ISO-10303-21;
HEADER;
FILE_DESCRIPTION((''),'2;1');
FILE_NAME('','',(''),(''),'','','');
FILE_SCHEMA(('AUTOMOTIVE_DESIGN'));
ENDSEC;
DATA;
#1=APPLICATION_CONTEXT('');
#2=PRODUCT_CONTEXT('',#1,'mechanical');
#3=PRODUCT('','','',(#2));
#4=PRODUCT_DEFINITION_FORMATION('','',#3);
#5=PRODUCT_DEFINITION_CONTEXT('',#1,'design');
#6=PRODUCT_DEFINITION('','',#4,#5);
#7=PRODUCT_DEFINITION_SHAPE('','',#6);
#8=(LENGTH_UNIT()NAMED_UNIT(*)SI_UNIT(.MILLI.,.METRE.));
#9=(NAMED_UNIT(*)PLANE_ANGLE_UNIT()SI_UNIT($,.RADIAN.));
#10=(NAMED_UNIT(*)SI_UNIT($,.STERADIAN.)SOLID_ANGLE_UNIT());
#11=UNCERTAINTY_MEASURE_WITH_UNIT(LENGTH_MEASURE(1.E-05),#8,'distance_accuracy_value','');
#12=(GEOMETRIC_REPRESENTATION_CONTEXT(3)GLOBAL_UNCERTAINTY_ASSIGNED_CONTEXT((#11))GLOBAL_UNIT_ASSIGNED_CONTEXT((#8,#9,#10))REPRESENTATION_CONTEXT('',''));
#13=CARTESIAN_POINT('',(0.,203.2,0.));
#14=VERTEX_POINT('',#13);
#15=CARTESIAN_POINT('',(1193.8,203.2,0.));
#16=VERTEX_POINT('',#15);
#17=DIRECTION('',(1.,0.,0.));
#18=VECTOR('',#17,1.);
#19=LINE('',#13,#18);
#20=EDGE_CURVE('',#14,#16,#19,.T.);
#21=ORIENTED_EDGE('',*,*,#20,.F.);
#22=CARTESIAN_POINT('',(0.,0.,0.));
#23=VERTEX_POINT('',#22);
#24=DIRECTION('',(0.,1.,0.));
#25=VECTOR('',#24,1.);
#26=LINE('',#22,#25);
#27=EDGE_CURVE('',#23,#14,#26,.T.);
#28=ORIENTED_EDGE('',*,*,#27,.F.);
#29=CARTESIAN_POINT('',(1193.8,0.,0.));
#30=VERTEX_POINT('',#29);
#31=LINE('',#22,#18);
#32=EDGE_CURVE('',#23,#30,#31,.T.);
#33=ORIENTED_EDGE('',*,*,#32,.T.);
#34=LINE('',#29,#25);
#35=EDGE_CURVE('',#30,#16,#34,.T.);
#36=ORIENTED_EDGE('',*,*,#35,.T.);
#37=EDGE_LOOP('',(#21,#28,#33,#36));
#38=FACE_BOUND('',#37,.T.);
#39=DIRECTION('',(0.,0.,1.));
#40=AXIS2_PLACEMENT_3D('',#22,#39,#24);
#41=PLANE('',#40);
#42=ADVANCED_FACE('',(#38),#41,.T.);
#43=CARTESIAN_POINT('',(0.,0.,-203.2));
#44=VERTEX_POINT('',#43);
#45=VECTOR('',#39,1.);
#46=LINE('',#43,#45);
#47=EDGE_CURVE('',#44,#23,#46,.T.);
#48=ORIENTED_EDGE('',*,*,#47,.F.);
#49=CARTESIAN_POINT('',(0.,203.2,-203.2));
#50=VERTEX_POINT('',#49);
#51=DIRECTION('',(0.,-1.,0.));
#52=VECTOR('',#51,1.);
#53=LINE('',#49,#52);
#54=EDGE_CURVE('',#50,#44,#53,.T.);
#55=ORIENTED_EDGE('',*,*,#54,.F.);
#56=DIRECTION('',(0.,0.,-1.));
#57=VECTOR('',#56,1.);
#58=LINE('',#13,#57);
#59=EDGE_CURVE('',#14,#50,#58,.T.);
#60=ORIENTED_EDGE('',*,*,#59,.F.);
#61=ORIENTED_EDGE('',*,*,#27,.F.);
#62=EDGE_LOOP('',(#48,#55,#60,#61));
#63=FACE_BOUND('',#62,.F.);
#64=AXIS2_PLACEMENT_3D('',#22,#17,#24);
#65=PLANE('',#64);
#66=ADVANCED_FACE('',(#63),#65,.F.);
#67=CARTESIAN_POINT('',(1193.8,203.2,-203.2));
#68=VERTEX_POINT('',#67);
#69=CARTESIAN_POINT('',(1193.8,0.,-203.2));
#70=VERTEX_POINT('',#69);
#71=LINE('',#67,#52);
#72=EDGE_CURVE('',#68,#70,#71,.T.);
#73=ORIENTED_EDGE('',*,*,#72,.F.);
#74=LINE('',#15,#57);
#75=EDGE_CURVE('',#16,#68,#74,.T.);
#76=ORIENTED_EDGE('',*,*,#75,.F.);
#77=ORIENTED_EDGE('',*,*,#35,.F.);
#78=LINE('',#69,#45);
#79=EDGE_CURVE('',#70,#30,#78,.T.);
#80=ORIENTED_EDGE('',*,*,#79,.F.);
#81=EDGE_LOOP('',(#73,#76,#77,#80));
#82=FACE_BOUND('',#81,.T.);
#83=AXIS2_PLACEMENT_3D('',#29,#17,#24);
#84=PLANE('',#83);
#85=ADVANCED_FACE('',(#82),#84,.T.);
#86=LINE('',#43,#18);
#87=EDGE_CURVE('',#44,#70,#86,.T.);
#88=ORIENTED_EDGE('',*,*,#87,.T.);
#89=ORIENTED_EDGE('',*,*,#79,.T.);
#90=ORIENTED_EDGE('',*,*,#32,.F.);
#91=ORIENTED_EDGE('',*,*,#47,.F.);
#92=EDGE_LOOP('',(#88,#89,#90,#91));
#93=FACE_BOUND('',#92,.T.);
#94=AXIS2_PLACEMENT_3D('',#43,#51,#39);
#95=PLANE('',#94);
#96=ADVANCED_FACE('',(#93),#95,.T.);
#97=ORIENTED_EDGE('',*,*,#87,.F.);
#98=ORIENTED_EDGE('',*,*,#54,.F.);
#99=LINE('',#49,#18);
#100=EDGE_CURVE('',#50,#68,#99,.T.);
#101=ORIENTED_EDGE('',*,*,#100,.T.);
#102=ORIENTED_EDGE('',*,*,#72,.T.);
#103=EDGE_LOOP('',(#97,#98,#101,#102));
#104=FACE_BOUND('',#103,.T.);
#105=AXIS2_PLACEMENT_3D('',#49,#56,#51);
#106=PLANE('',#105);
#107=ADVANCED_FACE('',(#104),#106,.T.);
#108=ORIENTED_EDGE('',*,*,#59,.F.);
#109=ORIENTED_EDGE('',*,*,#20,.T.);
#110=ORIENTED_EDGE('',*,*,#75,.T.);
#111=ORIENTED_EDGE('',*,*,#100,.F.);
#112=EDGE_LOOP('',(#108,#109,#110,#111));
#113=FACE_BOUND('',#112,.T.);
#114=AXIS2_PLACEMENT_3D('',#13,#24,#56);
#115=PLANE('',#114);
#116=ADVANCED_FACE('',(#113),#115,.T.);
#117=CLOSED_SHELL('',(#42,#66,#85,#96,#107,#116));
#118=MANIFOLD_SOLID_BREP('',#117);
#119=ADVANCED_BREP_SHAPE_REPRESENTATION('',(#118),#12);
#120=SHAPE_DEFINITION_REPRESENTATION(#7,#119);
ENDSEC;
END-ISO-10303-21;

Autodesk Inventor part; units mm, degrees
ref_plane "YZ Plane" through (0, 0, 0) normal (1, 0, 0) x (0, 1, 0)
ref_plane "XZ Plane" through (0, 0, 0) normal (0, 1, 0) x (-1, 0, 0)
ref_plane "XY Plane" through (0, 0, 0) normal (0, 0, 1) x (1, 0, 0)
sketch "Sketch1" plane through (0, 0, 0) normal (1, 0, 0) x (0, 1, 0)
  line L0 (0, 0) -> (203.2, 0)
  line L1 (203.2, 0) -> (203.2, -203.2)
  line L2 (203.2, -203.2) -> (0, -203.2)
  line L3 (0, -203.2) -> (0, 0)
  dimension "d0" = 203.2
  dimension "d1" = 203.2
extrude "Extrusion1" add sketch "Sketch1" along normal blind 1193.8
properties part number "k1 - 12" material "Granite, Cut, Polished"
